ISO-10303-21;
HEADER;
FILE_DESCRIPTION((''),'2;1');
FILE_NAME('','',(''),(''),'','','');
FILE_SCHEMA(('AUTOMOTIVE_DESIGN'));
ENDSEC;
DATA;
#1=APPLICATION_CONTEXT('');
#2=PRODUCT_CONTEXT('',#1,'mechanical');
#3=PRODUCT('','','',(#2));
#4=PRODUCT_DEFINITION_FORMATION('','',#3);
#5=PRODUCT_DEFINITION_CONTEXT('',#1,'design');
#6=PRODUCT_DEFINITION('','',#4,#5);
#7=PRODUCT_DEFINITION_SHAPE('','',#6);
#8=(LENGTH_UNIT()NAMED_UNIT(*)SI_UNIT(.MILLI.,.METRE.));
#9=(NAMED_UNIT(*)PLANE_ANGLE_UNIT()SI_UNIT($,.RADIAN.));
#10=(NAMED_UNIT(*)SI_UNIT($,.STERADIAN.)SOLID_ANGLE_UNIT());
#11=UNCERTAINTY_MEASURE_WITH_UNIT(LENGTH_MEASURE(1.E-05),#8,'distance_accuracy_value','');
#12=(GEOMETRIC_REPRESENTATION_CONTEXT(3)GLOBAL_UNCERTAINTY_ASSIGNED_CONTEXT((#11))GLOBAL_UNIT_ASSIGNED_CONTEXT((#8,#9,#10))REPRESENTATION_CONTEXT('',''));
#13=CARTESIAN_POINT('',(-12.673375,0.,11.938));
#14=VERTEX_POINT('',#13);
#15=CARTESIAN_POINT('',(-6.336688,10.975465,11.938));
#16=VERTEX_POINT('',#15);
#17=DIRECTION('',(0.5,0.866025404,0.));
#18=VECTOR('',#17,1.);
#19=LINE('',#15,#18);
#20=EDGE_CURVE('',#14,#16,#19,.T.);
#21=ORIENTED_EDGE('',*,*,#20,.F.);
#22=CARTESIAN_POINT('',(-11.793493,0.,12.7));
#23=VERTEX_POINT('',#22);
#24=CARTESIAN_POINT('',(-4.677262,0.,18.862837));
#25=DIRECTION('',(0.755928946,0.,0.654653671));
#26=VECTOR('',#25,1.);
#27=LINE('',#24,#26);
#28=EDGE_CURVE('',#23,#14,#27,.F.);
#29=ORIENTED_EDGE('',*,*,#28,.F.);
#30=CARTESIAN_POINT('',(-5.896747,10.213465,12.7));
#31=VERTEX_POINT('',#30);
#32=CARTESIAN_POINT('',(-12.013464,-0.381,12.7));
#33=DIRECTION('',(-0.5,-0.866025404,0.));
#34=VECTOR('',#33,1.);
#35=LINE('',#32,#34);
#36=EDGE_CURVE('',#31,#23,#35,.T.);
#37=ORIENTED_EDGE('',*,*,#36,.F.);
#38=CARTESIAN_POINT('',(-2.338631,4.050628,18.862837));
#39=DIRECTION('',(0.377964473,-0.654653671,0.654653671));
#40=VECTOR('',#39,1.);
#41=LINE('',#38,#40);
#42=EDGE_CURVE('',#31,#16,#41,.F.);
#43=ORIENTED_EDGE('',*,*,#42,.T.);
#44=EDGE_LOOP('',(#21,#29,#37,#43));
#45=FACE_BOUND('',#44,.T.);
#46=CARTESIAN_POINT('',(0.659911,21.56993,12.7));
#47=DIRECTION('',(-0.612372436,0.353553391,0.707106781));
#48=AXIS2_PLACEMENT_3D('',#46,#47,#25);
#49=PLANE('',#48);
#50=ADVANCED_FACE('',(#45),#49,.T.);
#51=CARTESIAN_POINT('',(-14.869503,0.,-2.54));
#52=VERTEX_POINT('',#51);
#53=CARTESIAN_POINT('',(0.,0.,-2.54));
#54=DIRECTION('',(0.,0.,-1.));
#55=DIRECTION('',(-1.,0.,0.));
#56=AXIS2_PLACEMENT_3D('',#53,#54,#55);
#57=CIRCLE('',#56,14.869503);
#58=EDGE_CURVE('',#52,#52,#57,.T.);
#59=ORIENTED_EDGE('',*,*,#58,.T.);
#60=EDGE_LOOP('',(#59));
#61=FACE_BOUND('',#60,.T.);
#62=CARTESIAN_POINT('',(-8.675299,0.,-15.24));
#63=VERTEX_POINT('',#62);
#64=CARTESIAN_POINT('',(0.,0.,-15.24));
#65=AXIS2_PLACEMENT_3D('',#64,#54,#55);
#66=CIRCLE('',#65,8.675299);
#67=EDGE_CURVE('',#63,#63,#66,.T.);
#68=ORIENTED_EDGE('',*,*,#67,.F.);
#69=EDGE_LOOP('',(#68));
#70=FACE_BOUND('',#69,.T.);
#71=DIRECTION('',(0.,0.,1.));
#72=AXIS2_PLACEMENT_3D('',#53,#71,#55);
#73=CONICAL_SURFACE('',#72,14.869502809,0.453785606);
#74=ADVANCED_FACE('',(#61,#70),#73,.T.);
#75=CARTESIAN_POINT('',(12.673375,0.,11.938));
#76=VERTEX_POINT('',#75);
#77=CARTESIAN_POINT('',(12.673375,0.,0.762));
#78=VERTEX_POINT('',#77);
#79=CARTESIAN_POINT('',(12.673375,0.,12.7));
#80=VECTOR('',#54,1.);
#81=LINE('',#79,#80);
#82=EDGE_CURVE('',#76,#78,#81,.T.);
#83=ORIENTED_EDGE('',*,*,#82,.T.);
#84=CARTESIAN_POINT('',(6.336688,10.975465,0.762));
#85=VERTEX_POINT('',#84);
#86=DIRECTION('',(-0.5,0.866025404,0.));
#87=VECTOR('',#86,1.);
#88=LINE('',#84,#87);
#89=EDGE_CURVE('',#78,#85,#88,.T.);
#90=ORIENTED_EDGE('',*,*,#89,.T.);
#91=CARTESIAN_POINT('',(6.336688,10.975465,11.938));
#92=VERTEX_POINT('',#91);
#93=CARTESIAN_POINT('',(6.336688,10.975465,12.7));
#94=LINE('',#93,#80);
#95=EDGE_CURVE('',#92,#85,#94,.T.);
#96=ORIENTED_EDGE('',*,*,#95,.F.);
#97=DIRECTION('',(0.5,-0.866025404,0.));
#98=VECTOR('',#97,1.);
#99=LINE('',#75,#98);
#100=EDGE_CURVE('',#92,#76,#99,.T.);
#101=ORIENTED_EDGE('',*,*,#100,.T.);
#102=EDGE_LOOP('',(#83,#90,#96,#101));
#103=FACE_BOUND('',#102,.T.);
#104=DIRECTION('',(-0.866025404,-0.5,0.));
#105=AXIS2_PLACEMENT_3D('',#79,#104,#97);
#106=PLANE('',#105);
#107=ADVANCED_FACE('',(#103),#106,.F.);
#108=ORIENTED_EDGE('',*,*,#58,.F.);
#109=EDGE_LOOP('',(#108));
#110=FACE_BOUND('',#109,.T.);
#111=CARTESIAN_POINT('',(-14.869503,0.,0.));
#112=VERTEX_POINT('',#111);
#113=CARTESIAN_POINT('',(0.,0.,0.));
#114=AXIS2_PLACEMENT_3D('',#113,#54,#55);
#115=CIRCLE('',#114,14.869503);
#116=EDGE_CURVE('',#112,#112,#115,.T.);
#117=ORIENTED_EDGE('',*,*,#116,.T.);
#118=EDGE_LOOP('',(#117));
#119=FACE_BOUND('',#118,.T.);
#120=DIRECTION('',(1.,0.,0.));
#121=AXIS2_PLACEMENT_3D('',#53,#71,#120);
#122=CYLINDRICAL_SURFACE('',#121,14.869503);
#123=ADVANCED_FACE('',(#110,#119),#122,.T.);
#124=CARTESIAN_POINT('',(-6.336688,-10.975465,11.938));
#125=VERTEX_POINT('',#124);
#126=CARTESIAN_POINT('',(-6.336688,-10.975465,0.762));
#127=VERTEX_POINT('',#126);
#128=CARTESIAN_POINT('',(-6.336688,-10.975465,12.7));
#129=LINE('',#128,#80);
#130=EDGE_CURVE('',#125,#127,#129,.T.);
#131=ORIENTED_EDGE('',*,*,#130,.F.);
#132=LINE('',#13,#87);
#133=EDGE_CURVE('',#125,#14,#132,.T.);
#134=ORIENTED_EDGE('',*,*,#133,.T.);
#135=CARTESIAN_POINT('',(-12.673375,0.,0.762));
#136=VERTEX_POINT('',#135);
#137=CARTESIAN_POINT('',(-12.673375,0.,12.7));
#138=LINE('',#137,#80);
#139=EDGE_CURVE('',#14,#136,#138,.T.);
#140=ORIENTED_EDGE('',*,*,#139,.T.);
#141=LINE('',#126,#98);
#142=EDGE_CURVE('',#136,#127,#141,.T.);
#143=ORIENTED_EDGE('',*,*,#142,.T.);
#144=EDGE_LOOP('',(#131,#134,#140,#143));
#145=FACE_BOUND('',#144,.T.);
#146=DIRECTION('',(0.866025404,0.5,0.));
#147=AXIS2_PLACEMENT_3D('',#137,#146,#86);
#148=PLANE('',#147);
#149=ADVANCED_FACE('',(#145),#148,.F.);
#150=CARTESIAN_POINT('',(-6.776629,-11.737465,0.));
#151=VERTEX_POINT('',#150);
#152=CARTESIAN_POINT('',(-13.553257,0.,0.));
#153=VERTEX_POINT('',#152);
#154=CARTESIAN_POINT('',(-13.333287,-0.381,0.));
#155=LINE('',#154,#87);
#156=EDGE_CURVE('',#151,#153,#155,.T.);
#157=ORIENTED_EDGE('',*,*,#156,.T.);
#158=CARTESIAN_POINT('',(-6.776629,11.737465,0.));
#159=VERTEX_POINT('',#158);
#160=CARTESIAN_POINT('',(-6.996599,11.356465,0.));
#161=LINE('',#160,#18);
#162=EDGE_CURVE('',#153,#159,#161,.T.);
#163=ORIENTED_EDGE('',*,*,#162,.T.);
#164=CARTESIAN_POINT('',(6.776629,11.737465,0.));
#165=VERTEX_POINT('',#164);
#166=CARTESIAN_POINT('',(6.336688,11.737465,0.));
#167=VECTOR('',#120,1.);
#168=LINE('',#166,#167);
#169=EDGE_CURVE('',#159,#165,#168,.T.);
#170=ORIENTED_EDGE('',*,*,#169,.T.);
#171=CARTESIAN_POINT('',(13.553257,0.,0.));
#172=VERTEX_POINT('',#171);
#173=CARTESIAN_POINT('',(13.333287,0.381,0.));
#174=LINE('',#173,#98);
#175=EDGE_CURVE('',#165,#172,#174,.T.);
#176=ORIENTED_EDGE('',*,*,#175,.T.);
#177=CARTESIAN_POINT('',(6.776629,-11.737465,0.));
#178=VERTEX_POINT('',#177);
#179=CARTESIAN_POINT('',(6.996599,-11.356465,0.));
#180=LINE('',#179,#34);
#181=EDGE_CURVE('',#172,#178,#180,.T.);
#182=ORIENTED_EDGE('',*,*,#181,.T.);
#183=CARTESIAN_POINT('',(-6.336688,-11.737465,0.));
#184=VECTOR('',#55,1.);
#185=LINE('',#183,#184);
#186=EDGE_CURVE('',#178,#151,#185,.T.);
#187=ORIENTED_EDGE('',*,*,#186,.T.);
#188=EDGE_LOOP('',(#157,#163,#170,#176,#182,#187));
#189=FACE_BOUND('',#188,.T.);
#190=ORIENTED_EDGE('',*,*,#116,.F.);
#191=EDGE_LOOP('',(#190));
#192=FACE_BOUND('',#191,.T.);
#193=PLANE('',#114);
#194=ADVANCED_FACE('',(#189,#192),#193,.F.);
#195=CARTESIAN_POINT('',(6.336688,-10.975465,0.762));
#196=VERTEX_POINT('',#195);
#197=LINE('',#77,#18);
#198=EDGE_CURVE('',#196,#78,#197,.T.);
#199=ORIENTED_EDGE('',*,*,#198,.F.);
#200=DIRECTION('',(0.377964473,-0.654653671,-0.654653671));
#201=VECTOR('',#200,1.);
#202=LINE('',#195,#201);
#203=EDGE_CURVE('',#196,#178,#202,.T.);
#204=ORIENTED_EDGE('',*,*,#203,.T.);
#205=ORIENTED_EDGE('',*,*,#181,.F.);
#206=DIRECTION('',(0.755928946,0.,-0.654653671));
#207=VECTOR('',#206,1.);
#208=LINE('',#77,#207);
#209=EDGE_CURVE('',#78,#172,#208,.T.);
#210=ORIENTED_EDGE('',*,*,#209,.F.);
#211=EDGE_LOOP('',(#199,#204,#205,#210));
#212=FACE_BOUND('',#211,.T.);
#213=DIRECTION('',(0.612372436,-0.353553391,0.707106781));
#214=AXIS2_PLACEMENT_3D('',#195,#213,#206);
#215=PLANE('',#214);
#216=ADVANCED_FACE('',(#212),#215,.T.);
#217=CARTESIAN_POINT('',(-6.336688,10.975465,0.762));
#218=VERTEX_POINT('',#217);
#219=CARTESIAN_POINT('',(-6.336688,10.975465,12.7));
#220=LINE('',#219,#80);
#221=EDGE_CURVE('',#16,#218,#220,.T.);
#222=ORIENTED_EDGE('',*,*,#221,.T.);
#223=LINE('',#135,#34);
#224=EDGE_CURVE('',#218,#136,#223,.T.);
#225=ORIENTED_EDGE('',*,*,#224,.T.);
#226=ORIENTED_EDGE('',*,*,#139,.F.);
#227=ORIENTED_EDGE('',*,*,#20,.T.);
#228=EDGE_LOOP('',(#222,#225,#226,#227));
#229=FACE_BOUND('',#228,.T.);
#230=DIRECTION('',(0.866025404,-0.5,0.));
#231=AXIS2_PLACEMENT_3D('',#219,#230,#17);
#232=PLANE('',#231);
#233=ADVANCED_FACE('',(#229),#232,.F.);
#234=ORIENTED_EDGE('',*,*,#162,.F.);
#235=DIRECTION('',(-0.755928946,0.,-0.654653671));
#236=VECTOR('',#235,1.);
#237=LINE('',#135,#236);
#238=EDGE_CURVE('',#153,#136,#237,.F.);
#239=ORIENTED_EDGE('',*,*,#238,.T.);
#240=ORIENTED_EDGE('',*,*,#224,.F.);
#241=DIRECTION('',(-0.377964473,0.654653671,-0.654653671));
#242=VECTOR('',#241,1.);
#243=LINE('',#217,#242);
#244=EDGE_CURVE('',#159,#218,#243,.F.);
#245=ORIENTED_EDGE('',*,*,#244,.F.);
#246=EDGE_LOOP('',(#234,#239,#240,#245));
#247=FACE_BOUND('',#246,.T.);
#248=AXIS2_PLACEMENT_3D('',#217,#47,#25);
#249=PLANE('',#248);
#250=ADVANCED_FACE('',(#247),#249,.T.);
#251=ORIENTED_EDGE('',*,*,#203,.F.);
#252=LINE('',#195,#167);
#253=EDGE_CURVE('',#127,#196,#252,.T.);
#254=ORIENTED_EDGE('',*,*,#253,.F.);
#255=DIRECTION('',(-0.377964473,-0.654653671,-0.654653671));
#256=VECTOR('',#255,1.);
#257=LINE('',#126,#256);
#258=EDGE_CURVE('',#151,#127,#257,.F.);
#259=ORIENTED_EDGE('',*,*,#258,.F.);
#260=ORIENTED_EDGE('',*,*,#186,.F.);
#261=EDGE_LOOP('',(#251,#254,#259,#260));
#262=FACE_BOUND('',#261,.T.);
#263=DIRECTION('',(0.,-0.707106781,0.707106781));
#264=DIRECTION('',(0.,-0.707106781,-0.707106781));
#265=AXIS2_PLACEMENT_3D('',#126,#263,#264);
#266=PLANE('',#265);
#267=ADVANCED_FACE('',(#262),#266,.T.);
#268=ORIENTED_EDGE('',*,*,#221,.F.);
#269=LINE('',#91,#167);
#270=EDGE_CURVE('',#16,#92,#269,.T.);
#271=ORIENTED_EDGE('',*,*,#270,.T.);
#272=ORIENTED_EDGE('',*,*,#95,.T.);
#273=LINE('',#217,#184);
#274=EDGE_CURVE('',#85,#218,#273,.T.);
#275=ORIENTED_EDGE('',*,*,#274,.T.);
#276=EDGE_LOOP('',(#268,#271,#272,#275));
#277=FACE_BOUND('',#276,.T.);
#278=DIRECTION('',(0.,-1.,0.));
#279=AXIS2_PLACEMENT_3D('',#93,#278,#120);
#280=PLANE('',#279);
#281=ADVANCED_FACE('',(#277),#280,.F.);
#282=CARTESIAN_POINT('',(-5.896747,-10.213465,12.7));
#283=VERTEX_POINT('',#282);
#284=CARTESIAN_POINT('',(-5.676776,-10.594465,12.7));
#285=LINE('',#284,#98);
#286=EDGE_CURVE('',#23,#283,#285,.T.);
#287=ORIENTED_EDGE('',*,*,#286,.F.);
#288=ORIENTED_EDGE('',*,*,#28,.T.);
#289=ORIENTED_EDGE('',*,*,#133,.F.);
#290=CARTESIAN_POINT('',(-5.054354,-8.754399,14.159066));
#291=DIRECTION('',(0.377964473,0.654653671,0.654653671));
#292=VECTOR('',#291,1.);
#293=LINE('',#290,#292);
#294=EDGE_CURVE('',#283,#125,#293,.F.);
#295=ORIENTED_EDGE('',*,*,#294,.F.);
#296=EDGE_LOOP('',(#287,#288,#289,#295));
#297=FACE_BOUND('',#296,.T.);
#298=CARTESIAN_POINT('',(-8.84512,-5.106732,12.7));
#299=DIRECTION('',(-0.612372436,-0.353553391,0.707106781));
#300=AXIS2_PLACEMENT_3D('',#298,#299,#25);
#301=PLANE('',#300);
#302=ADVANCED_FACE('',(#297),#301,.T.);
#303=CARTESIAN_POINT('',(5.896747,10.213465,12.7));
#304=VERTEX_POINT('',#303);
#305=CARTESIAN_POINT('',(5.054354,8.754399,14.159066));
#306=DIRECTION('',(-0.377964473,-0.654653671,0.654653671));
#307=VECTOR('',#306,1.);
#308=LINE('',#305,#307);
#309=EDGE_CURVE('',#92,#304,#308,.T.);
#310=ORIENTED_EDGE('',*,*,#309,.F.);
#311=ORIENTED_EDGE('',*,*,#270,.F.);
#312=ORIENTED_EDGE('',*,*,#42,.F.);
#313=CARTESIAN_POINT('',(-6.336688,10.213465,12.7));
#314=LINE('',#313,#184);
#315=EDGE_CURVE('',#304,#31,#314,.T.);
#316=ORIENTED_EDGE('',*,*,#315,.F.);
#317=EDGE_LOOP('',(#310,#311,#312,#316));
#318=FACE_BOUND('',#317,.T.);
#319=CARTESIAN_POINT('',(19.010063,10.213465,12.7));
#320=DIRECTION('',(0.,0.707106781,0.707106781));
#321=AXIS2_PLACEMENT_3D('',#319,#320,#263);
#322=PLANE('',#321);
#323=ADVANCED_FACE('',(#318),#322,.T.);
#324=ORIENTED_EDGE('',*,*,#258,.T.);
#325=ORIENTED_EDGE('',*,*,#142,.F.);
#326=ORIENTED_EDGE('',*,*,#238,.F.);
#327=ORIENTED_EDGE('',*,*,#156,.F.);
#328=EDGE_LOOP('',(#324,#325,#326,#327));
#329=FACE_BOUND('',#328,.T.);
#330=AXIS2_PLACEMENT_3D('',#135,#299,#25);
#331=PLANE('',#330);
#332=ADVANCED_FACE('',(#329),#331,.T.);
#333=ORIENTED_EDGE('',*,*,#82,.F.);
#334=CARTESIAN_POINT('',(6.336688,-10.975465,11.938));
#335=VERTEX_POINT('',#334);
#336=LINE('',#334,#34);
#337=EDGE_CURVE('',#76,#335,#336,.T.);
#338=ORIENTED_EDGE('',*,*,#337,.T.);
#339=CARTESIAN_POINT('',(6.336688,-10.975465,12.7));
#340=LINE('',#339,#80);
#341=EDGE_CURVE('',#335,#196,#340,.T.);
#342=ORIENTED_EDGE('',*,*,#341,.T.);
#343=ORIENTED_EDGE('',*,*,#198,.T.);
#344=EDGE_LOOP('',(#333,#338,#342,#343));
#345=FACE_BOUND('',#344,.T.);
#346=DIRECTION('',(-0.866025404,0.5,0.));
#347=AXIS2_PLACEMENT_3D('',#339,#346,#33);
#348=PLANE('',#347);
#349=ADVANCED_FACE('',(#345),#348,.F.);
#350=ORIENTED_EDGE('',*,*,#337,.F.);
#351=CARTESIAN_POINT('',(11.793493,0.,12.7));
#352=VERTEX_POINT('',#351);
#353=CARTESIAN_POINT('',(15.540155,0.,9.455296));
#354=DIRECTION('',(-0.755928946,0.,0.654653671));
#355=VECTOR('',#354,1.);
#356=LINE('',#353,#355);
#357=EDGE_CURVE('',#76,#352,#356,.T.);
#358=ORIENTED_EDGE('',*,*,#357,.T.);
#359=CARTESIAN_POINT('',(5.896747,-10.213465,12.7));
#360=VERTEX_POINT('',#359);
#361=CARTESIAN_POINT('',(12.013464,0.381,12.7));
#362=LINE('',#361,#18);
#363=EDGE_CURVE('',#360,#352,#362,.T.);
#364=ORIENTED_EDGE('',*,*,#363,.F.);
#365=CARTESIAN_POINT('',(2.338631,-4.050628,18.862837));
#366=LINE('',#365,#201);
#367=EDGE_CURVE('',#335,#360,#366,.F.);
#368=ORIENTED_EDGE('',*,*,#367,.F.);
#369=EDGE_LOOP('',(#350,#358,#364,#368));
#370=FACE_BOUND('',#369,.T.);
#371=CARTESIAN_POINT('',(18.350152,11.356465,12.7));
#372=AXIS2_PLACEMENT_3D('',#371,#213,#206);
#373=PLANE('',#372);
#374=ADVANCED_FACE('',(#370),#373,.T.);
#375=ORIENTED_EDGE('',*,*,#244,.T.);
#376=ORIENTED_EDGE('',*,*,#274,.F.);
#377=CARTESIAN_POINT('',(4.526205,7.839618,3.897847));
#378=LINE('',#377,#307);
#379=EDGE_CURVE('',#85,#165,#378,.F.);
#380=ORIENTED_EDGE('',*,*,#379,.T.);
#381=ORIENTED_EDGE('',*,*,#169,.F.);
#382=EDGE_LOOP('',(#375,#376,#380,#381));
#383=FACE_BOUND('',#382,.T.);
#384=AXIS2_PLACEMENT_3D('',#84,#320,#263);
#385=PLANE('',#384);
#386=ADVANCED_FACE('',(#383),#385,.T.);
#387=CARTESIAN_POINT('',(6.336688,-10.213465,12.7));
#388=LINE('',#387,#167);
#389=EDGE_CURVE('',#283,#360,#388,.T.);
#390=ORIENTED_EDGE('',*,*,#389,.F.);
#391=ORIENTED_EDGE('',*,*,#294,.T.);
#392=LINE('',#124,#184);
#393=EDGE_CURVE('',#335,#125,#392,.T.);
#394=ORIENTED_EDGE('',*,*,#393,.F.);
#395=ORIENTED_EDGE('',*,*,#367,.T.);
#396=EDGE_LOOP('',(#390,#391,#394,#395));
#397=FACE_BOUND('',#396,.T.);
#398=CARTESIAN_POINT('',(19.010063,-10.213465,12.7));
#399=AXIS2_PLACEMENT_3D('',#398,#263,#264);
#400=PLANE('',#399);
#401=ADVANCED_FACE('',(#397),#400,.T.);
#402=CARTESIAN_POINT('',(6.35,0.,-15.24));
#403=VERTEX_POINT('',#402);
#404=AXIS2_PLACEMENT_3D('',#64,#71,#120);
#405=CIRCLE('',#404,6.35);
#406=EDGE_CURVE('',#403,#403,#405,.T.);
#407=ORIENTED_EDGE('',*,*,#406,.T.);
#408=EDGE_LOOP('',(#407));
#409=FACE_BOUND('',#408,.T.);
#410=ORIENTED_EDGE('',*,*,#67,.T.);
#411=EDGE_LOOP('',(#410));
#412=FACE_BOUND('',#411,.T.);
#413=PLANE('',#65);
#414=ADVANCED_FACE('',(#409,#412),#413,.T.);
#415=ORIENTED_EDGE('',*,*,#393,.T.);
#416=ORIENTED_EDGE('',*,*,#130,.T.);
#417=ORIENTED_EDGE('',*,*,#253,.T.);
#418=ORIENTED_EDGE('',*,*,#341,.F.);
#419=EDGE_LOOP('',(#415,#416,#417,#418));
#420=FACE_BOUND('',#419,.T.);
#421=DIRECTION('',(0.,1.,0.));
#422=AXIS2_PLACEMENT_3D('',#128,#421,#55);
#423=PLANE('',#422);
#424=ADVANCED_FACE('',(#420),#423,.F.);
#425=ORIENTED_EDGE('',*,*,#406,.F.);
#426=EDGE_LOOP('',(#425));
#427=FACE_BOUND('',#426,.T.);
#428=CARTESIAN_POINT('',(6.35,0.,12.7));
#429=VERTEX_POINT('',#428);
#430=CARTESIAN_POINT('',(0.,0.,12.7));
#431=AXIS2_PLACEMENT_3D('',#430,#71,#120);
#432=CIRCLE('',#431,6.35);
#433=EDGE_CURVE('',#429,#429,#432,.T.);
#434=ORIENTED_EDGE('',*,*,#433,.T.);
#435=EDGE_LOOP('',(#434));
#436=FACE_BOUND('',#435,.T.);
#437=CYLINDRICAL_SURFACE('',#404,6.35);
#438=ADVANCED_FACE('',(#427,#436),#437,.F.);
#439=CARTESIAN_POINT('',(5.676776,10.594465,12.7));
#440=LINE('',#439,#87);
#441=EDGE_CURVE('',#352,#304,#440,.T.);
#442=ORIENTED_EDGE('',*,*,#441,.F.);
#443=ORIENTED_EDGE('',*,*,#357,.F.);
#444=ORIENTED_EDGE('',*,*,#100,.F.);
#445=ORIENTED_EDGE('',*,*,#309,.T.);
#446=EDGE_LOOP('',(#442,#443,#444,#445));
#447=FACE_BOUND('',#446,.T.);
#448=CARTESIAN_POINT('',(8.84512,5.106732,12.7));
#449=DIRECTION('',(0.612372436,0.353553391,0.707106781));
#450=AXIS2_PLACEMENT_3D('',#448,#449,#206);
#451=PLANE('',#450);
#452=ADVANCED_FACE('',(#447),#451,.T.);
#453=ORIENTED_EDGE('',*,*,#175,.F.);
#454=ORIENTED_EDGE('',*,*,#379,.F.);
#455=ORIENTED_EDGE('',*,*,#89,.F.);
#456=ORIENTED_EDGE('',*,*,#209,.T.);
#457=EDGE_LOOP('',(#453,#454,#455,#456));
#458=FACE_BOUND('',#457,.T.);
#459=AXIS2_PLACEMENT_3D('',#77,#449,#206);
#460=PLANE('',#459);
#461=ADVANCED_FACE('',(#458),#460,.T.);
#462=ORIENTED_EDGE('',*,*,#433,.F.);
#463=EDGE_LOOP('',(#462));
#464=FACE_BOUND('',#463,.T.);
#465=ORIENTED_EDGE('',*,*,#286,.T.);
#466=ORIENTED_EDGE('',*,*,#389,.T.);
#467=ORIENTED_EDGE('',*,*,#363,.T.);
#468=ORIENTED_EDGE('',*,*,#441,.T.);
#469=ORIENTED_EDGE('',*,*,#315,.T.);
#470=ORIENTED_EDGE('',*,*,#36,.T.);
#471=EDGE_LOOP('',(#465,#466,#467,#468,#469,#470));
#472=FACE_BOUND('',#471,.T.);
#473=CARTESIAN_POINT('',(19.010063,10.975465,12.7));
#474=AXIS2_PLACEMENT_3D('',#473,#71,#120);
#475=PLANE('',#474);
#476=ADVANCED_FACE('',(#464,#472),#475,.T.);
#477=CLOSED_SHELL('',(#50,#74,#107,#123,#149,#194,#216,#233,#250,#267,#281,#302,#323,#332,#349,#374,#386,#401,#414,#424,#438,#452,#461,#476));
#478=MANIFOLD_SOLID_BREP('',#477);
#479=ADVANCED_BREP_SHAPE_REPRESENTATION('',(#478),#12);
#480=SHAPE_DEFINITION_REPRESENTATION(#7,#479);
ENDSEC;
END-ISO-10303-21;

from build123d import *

# Parameters (mm, degrees)
EXTRUDE1_DEPTH     = 12.7
SKETCH3_R          = 14.869502809
EXTRUDE2_DEPTH     = 2.54
CHAMFER1_SIZE      = 0.762
CHAMFER2_SIZE      = 0.762
SKETCH5_R          = 14.869502809
EXTRUDE3_DEPTH     = 12.7
EXTRUDE3_TAPER     = 26
SKETCH4_R          = 6.35
CUT_EXTRUDE1_DEPTH = 28.9400001


with BuildPart() as part:
    # Sketch2 → Extrude1 (new body)
    with BuildSketch(Plane.XY):
        Polygon((12.673375262, 0), (6.336687631, 10.975464929), (-6.336687631, 10.975464929), (-12.673375262, 0), (-6.336687631, -10.975464929), (6.336687631, -10.975464929), align=None)
    extrude(amount=EXTRUDE1_DEPTH)

    # Sketch3 → Extrude2 (add)
    with BuildSketch(Plane(origin=(0, 0, 0), x_dir=(-1, 0, 0), z_dir=(0, 0, -1))):
        Circle(SKETCH3_R)
    extrude(amount=EXTRUDE2_DEPTH)

    # Chamfer1
    chamfer1_edges = [part.edges().sort_by_distance(p)[0] for p in [
        (0, -10.975464929, 0),
        (-9.505031447, -5.487732464, 0),
        (-9.505031447, 5.487732464, 0),
        (0, 10.975464929, 0),
        (9.505031447, 5.487732464, 0),
        (9.505031447, -5.487732464, 0),
    ]]
    chamfer(chamfer1_edges, length=CHAMFER1_SIZE)

    # Chamfer2
    chamfer2_edges = [part.edges().sort_by_distance(p)[0] for p in [
        (0, 10.975464929, 12.7),
        (-9.505031447, 5.487732464, 12.7),
        (-9.505031447, -5.487732464, 12.7),
        (0, -10.975464929, 12.7),
        (9.505031447, -5.487732464, 12.7),
        (9.505031447, 5.487732464, 12.7),
    ]]
    chamfer(chamfer2_edges, length=CHAMFER2_SIZE)

    # Sketch5 → Extrude3 (add)
    with BuildSketch(Plane(origin=(0, 0, -2.54), x_dir=(-1, 0, 0), z_dir=(0, 0, -1))):
        Circle(SKETCH5_R)
    extrude(amount=EXTRUDE3_DEPTH, taper=EXTRUDE3_TAPER)

    # Sketch4 → Cut-Extrude1 (cut, through all)
    with BuildSketch(Plane.XY.offset(12.7)):
        Circle(SKETCH4_R)
    extrude(amount=-CUT_EXTRUDE1_DEPTH, mode=Mode.SUBTRACT)


solid = part.part
